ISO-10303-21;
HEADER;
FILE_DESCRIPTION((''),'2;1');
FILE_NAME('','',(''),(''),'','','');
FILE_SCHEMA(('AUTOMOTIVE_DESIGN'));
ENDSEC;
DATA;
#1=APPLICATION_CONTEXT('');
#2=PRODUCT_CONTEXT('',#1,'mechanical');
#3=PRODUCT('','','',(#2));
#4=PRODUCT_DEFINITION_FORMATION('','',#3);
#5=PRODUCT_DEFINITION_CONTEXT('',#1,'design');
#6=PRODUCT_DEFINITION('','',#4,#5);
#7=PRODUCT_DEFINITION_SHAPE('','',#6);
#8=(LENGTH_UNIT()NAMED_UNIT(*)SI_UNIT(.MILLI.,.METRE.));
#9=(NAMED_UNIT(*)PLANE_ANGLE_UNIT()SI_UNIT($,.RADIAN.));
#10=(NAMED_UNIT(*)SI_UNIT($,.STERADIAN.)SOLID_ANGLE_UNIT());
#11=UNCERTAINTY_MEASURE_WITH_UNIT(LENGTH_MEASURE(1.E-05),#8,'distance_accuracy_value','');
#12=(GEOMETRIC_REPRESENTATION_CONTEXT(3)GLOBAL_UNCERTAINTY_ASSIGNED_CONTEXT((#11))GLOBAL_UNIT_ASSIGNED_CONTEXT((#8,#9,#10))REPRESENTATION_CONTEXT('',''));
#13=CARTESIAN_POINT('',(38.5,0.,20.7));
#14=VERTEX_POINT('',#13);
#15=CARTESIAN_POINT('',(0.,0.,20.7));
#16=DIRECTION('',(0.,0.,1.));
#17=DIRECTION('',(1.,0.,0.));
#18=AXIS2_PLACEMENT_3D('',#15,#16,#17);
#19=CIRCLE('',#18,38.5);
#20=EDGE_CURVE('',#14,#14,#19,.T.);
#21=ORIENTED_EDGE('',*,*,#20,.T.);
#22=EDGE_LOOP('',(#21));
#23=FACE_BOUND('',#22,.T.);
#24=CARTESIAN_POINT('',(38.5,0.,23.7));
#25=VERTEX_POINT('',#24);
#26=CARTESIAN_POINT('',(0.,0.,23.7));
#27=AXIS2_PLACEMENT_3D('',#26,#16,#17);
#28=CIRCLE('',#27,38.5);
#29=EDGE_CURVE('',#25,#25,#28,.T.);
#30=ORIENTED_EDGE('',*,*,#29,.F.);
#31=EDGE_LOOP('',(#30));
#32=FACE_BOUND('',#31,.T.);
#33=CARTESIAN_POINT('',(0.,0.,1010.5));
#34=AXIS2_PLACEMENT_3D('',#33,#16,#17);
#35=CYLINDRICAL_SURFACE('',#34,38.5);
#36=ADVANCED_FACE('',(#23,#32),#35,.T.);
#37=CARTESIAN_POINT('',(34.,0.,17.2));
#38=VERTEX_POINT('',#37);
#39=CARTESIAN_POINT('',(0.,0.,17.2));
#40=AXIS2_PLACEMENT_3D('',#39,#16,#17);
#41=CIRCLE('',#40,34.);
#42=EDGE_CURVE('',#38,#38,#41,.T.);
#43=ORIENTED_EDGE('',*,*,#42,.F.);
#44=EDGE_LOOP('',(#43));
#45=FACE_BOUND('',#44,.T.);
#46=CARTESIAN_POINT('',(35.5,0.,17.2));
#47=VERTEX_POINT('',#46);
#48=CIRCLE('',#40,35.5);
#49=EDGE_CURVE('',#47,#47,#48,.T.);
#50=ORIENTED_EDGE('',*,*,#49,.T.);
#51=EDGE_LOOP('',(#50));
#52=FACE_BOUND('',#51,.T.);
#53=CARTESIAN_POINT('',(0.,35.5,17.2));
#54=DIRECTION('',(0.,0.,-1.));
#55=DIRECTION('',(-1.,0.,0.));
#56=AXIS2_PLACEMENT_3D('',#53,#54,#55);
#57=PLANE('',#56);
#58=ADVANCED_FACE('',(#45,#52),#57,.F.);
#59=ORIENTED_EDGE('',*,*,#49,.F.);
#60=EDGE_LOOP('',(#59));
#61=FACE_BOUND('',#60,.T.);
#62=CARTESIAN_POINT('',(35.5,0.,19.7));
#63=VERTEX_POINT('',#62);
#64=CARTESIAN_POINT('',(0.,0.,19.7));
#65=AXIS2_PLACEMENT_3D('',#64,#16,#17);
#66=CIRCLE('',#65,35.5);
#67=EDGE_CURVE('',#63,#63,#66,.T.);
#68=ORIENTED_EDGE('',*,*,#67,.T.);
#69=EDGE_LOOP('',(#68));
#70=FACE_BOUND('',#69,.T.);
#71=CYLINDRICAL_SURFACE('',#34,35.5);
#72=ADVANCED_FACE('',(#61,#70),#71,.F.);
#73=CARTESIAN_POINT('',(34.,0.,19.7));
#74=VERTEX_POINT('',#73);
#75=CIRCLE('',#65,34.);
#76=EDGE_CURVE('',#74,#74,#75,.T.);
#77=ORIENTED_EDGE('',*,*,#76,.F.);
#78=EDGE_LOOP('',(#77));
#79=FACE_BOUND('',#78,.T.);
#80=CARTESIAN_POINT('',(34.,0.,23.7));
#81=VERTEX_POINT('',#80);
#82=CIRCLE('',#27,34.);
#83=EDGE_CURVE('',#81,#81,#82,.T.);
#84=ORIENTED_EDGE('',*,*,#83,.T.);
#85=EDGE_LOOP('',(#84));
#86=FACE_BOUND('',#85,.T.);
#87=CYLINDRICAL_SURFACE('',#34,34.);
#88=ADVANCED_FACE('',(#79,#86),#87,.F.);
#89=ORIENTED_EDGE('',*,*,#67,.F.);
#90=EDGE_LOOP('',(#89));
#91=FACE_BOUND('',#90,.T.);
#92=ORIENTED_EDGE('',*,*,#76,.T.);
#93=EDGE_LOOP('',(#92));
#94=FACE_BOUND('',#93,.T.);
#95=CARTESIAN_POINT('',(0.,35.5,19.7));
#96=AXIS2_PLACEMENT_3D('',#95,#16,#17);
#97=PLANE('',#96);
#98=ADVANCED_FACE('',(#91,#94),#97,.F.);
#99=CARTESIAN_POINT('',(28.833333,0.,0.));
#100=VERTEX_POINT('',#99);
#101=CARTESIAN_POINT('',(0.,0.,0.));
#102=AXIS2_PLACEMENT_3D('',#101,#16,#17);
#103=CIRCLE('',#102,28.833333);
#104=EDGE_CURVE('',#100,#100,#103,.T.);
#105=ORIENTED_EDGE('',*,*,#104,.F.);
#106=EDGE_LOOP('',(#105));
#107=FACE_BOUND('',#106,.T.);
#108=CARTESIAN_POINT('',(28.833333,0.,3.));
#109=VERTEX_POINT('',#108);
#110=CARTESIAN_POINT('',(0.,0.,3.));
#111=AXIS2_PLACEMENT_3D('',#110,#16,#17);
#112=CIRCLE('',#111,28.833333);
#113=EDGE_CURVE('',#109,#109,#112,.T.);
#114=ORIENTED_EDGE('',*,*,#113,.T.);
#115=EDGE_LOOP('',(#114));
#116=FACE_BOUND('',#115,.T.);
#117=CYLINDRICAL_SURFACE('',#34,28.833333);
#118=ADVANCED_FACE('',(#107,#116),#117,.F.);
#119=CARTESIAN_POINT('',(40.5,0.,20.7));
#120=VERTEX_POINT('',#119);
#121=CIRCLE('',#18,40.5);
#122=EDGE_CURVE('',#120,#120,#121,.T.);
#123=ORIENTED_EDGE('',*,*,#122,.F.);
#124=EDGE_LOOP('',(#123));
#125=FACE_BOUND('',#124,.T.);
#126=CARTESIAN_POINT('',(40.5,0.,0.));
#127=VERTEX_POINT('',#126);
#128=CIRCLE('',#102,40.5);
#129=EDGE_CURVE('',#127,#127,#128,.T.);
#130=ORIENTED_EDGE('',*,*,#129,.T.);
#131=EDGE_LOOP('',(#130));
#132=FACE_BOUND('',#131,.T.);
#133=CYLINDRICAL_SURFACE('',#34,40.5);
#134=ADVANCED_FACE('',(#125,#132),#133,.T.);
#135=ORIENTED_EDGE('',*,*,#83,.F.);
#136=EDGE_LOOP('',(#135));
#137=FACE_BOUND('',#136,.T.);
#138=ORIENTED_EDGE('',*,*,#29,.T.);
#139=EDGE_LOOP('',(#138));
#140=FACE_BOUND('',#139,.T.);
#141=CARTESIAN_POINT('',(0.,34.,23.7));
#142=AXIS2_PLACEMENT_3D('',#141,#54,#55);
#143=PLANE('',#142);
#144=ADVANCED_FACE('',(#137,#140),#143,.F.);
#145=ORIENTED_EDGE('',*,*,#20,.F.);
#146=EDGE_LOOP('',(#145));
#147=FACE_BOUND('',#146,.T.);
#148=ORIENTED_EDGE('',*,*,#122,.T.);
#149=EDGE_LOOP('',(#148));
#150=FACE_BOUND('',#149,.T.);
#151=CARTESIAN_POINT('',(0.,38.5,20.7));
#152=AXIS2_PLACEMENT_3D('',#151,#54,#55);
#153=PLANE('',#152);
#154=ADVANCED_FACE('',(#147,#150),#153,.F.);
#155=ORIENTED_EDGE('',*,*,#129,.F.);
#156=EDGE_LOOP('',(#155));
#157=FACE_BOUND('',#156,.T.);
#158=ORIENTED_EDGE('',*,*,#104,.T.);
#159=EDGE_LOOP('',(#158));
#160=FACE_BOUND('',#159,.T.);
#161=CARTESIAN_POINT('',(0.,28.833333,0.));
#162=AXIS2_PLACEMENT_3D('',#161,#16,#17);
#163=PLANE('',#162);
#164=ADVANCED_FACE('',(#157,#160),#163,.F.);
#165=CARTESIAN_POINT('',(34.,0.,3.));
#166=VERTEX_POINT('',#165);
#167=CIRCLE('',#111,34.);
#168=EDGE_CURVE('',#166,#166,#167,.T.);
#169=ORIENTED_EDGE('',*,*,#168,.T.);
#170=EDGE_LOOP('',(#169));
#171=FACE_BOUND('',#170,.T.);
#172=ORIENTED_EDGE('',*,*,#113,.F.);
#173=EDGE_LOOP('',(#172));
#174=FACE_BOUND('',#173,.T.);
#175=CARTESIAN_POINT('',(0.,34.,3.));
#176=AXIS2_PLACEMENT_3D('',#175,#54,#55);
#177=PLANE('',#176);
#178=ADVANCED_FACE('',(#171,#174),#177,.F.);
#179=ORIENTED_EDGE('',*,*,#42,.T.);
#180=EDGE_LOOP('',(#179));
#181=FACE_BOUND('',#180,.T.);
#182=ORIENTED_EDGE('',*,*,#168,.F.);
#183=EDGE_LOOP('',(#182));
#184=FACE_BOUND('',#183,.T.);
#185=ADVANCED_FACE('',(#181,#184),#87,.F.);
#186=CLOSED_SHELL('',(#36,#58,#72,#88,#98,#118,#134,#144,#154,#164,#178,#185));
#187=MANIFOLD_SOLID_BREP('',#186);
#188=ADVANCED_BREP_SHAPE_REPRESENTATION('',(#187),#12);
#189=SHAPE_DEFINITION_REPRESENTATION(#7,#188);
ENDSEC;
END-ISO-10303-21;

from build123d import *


with BuildPart() as part:
    # Эскиз1 → Повернуть1 (revolve)
    with BuildSketch(Plane(origin=(0, 0, 0), x_dir=(0, 0, -1), z_dir=(1, 0, 0)), mode=Mode.PRIVATE) as revolve_1_sk:
        Polygon((0, 28.833333333), (0, 40.5), (-20.7, 40.5), (-20.7, 38.5), (-23.7, 38.5), (-23.7, 34), (-19.7, 34), (-19.7, 35.5), (-17.2, 35.5), (-17.2, 34), (-3, 34), (-3, 28.833333333), align=None)
    revolve(revolve_1_sk.sketch.rotate(Axis((0, 0, 1010.5), (0, 0, -1)), 90), axis=Axis((0, 0, 1010.5), (0, 0, -1)))


solid = part.part
